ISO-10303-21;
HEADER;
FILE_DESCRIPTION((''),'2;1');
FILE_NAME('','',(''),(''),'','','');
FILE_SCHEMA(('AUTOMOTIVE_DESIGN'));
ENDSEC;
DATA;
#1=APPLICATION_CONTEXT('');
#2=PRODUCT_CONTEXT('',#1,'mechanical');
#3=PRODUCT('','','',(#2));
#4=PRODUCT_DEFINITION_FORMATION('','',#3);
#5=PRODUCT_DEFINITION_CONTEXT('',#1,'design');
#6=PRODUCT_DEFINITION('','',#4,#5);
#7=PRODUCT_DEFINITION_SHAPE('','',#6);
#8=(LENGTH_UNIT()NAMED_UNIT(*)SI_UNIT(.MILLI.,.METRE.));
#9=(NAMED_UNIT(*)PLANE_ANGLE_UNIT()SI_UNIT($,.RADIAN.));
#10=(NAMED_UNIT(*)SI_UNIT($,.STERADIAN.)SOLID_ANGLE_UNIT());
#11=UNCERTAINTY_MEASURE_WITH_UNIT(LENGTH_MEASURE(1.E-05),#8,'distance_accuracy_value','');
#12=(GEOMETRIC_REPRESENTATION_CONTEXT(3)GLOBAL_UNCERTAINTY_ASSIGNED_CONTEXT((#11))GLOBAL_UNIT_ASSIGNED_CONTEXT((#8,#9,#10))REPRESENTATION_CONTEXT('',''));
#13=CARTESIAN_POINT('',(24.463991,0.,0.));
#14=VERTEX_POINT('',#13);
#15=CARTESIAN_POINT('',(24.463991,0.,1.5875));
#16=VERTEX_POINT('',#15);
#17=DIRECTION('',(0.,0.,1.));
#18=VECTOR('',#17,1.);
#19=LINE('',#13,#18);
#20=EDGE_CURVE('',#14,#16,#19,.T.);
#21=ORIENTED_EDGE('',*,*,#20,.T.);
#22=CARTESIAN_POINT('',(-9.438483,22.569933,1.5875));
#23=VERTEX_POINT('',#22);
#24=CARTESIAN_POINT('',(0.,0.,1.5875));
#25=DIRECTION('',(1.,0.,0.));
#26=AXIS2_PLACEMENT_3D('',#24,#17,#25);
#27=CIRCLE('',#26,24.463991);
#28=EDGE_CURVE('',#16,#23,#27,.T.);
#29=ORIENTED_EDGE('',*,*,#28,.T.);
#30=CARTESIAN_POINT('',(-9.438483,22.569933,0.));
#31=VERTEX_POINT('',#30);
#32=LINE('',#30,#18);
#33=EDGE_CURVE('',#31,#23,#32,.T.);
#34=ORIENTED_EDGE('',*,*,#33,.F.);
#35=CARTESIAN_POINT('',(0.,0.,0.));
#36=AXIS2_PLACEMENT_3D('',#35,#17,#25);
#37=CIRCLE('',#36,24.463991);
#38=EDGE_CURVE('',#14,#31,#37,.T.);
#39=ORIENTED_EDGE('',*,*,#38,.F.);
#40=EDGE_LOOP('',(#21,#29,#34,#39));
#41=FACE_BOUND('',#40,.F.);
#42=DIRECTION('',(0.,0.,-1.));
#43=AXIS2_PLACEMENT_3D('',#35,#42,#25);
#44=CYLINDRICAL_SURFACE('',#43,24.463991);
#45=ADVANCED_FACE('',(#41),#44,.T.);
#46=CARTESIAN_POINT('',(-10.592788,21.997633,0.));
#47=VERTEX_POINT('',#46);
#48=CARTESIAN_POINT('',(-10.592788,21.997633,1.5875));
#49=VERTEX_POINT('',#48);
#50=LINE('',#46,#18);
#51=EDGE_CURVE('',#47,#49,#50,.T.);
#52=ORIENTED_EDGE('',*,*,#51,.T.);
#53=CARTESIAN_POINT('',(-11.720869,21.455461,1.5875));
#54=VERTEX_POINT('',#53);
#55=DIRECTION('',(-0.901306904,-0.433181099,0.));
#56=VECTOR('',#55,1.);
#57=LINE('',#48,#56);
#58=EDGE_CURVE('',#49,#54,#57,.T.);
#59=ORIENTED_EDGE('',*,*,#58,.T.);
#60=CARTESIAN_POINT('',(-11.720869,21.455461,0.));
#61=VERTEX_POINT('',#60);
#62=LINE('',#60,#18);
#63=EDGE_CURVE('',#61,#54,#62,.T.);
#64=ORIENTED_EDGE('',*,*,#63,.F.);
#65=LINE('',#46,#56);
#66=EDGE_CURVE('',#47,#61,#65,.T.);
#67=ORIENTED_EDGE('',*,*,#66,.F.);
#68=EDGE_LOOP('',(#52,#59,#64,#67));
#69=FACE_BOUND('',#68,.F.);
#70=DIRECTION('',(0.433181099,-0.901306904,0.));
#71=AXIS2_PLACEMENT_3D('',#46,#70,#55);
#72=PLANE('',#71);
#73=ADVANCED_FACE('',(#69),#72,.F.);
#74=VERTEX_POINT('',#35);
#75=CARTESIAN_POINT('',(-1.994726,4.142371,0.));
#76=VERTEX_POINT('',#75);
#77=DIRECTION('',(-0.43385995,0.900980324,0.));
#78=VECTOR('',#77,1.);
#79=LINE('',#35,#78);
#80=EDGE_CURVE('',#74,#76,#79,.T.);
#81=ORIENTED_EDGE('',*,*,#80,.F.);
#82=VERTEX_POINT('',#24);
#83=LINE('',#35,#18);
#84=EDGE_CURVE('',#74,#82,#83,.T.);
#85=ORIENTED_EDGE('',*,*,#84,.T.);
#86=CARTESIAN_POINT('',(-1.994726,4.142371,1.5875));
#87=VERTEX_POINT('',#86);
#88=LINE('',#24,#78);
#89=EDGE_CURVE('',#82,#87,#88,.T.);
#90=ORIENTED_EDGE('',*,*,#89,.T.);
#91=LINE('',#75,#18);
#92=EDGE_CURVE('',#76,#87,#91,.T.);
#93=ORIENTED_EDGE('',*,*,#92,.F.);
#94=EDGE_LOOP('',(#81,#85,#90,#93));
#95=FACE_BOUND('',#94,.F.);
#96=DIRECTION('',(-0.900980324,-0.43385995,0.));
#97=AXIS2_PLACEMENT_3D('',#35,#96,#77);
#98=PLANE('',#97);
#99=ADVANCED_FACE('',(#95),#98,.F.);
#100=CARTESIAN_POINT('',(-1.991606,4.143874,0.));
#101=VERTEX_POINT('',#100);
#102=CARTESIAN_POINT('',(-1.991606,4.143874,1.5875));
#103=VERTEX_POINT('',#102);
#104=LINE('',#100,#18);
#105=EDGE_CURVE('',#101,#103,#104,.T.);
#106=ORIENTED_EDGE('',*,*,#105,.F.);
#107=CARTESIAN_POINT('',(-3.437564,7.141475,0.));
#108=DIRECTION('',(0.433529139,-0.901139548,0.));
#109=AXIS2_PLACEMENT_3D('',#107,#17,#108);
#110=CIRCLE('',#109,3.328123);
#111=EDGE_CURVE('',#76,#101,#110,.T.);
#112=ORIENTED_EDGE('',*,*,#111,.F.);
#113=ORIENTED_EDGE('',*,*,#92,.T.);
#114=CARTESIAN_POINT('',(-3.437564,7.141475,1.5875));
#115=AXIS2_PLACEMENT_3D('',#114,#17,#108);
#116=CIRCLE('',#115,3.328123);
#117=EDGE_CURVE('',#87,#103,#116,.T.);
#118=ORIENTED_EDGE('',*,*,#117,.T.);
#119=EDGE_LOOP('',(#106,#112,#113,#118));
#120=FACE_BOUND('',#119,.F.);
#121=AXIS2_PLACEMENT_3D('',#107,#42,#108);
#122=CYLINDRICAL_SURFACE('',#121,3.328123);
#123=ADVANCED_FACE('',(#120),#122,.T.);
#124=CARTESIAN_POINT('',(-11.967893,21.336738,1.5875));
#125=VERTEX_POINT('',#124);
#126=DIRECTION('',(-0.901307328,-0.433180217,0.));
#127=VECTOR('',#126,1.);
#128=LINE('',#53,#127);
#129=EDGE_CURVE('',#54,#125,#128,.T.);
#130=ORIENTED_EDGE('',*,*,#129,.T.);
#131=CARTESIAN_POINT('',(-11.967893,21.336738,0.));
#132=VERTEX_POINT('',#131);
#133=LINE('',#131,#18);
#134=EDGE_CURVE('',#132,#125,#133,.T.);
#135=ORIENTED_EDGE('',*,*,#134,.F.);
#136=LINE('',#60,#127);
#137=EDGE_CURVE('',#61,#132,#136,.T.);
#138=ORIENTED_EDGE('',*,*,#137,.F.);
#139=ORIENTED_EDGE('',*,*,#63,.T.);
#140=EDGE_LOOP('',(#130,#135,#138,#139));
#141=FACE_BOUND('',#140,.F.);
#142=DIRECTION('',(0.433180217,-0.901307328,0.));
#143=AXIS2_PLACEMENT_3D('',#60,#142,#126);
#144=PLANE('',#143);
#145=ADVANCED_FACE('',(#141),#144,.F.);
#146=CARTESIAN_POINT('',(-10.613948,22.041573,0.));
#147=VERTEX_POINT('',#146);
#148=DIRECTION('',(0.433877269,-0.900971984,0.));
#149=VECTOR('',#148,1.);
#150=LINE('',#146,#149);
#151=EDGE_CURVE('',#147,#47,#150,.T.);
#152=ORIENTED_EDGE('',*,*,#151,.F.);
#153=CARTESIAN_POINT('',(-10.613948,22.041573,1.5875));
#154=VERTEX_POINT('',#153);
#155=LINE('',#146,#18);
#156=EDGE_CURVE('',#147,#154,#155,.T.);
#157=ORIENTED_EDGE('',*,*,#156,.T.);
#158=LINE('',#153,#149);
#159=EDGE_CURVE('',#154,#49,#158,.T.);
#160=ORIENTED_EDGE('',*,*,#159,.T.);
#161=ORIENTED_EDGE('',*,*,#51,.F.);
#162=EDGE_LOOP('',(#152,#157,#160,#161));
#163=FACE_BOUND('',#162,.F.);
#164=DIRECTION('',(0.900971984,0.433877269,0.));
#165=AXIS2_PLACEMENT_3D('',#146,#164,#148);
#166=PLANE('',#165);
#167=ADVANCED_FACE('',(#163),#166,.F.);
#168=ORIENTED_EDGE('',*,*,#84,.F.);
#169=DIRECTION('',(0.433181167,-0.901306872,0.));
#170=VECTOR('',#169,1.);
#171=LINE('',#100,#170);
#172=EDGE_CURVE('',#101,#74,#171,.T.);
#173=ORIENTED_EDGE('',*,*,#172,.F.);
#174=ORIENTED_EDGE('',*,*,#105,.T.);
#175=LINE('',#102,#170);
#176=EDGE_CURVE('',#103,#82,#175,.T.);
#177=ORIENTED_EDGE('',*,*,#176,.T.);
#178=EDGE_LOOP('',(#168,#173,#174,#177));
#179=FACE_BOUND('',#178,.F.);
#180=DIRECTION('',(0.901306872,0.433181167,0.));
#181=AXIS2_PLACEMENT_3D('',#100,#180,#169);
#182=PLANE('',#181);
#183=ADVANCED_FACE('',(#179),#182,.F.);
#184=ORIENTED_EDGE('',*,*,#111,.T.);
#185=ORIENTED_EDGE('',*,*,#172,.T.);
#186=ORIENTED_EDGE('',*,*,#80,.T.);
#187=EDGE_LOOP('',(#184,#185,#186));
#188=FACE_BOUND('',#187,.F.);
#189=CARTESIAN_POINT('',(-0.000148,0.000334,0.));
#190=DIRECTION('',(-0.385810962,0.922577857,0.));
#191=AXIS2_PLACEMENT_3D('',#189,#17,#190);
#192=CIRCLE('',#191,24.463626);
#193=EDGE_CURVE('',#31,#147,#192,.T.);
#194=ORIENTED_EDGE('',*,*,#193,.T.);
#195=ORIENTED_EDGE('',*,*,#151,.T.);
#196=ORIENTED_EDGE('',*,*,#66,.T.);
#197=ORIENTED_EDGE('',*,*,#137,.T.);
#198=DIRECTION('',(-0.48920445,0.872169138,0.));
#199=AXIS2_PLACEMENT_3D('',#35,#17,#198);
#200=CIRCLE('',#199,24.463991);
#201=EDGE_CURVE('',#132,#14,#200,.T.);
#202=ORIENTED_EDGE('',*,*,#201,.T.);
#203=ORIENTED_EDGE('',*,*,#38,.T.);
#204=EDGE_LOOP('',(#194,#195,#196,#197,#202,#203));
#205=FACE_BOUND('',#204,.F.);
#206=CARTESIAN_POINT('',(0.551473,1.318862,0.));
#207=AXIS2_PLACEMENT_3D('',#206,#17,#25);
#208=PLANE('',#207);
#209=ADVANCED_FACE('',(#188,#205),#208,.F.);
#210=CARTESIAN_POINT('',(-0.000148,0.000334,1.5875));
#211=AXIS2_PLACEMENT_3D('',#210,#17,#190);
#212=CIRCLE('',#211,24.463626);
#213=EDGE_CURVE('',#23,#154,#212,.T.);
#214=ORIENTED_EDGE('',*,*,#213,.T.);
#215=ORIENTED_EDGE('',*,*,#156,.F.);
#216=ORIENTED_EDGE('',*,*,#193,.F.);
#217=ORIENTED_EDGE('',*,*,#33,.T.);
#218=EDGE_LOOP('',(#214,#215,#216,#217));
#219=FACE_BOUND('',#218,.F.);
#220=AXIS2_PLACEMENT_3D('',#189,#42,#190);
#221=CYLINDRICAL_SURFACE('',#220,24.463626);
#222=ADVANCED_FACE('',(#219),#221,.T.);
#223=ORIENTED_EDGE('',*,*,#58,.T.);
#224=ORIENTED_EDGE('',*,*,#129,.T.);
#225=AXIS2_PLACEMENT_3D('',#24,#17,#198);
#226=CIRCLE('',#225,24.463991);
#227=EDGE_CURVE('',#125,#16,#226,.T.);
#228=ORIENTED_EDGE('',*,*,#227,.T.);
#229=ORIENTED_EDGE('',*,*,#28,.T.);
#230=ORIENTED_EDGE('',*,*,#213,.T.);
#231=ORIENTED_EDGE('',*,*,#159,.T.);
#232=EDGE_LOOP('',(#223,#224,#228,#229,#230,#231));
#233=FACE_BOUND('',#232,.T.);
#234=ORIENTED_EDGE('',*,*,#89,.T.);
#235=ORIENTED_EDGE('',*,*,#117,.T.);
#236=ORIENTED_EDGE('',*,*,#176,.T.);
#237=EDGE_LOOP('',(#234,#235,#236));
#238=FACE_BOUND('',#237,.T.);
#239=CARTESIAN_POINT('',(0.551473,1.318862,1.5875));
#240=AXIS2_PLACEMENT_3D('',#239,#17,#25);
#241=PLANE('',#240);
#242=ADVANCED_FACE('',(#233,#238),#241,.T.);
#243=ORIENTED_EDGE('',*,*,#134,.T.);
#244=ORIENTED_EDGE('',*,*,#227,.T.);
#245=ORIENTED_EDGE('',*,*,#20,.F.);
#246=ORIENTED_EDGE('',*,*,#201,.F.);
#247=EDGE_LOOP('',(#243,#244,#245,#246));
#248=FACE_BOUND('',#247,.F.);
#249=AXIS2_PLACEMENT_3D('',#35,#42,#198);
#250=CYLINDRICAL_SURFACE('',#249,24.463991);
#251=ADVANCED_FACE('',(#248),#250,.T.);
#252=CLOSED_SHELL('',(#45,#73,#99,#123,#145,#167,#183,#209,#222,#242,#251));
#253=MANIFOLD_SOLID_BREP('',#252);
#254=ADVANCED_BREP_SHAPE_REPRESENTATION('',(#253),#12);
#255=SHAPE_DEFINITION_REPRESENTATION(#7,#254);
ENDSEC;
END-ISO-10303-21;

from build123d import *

# Parameters (mm, degrees)
F1_DEPTH = 1.5875
F2_DEPTH = 1.5875
F3_DEPTH = 1.5875


with BuildPart() as f1:
    # F0 (on Top) → F1 (new body)
    with BuildSketch(Plane.XY):
        with BuildLine():
            ThreePointArc((-1.994726, 4.142371), (-10.83638, 1.048738), (-20.14474, 0))
            ThreePointArc((-20.14474, 0), (8.739997, -18.150014), (12.560869, 15.749131))
            ThreePointArc((12.560869, 15.749131), (5.938271, 9.126868), (-1.991606, 4.143874))
            Line((-1.991606, 4.143874), (0, 0))
            Line((0, 0), (-1.994726, 4.142371))
        make_face()
    extrude(amount=F1_DEPTH)



with BuildPart() as f2:
    # F0 (on Top) → F2 (new body)
    with BuildSketch(Plane.XY):
        with BuildLine():
            Line((-11.720869, 21.455461), (-11.967893, 21.336738))
            ThreePointArc((-11.967893, 21.336738), (-12.363341, -21.11006), (24.463991, 0))
            ThreePointArc((24.463991, 0), (13.556989, 20.364059), (-9.438483, 22.569933))
            ThreePointArc((-9.438483, 22.569933), (-9.339647, 22.295321), (-9.306112, 22.005397))
            ThreePointArc((-9.306112, 22.005397), (-10.294103, 20.767103), (-11.720869, 21.455461))
        make_face()
        with BuildLine():
            ThreePointArc((12.560869, 15.749131), (8.739997, -18.150014), (-20.14474, 0))
            ThreePointArc((-20.14474, 0), (-10.83638, 1.048738), (-1.994726, 4.142371))
            ThreePointArc((-1.994726, 4.142371), (-1.993166, 4.143122), (-1.991606, 4.143874))
            ThreePointArc((-1.991606, 4.143874), (5.938271, 9.126868), (12.560869, 15.749131))
        make_face(mode=Mode.SUBTRACT)
    extrude(amount=F2_DEPTH)


with BuildPart() as f1_1:
    add(f1.part)

    add(f2.part)  # F3 merges F2
    # F0 (on Top) → F3 (join)
    with BuildSketch(Plane.XY):
        with BuildLine():
            Line((-11.720869, 21.455461), (-11.967893, 21.336738))
            ThreePointArc((-11.967893, 21.336738), (-12.363341, -21.11006), (24.463991, 0))
            ThreePointArc((24.463991, 0), (13.556989, 20.364059), (-9.438483, 22.569933))
            ThreePointArc((-9.438483, 22.569933), (-9.339647, 22.295321), (-9.306112, 22.005397))
            ThreePointArc((-9.306112, 22.005397), (-10.294103, 20.767103), (-11.720869, 21.455461))
        make_face()
        with BuildLine():
            ThreePointArc((12.560869, 15.749131), (8.739997, -18.150014), (-20.14474, 0))
            ThreePointArc((-20.14474, 0), (-10.83638, 1.048738), (-1.994726, 4.142371))
            ThreePointArc((-1.994726, 4.142371), (-1.993166, 4.143122), (-1.991606, 4.143874))
            ThreePointArc((-1.991606, 4.143874), (5.938271, 9.126868), (12.560869, 15.749131))
        make_face(mode=Mode.SUBTRACT)
        with BuildLine():
            ThreePointArc((-1.994726, 4.142371), (-10.83638, 1.048738), (-20.14474, 0))
            ThreePointArc((-20.14474, 0), (8.739997, -18.150014), (12.560869, 15.749131))
            ThreePointArc((12.560869, 15.749131), (5.938271, 9.126868), (-1.991606, 4.143874))
            Line((-1.991606, 4.143874), (0, 0))
            Line((0, 0), (-1.994726, 4.142371))
        make_face()
        with BuildLine():
            Line((-10.592788, 21.997633), (-11.720869, 21.455461))
            ThreePointArc((-11.720869, 21.455461), (-10.294103, 20.767103), (-9.306112, 22.005397))
            ThreePointArc((-9.306112, 22.005397), (-9.339647, 22.295321), (-9.438483, 22.569933))
            ThreePointArc((-9.438483, 22.569933), (-10.029695, 22.313495), (-10.613948, 22.041573))
            Line((-10.613948, 22.041573), (-10.592788, 21.997633))
        make_face()
    extrude(amount=F3_DEPTH)


solid = f1_1.part
